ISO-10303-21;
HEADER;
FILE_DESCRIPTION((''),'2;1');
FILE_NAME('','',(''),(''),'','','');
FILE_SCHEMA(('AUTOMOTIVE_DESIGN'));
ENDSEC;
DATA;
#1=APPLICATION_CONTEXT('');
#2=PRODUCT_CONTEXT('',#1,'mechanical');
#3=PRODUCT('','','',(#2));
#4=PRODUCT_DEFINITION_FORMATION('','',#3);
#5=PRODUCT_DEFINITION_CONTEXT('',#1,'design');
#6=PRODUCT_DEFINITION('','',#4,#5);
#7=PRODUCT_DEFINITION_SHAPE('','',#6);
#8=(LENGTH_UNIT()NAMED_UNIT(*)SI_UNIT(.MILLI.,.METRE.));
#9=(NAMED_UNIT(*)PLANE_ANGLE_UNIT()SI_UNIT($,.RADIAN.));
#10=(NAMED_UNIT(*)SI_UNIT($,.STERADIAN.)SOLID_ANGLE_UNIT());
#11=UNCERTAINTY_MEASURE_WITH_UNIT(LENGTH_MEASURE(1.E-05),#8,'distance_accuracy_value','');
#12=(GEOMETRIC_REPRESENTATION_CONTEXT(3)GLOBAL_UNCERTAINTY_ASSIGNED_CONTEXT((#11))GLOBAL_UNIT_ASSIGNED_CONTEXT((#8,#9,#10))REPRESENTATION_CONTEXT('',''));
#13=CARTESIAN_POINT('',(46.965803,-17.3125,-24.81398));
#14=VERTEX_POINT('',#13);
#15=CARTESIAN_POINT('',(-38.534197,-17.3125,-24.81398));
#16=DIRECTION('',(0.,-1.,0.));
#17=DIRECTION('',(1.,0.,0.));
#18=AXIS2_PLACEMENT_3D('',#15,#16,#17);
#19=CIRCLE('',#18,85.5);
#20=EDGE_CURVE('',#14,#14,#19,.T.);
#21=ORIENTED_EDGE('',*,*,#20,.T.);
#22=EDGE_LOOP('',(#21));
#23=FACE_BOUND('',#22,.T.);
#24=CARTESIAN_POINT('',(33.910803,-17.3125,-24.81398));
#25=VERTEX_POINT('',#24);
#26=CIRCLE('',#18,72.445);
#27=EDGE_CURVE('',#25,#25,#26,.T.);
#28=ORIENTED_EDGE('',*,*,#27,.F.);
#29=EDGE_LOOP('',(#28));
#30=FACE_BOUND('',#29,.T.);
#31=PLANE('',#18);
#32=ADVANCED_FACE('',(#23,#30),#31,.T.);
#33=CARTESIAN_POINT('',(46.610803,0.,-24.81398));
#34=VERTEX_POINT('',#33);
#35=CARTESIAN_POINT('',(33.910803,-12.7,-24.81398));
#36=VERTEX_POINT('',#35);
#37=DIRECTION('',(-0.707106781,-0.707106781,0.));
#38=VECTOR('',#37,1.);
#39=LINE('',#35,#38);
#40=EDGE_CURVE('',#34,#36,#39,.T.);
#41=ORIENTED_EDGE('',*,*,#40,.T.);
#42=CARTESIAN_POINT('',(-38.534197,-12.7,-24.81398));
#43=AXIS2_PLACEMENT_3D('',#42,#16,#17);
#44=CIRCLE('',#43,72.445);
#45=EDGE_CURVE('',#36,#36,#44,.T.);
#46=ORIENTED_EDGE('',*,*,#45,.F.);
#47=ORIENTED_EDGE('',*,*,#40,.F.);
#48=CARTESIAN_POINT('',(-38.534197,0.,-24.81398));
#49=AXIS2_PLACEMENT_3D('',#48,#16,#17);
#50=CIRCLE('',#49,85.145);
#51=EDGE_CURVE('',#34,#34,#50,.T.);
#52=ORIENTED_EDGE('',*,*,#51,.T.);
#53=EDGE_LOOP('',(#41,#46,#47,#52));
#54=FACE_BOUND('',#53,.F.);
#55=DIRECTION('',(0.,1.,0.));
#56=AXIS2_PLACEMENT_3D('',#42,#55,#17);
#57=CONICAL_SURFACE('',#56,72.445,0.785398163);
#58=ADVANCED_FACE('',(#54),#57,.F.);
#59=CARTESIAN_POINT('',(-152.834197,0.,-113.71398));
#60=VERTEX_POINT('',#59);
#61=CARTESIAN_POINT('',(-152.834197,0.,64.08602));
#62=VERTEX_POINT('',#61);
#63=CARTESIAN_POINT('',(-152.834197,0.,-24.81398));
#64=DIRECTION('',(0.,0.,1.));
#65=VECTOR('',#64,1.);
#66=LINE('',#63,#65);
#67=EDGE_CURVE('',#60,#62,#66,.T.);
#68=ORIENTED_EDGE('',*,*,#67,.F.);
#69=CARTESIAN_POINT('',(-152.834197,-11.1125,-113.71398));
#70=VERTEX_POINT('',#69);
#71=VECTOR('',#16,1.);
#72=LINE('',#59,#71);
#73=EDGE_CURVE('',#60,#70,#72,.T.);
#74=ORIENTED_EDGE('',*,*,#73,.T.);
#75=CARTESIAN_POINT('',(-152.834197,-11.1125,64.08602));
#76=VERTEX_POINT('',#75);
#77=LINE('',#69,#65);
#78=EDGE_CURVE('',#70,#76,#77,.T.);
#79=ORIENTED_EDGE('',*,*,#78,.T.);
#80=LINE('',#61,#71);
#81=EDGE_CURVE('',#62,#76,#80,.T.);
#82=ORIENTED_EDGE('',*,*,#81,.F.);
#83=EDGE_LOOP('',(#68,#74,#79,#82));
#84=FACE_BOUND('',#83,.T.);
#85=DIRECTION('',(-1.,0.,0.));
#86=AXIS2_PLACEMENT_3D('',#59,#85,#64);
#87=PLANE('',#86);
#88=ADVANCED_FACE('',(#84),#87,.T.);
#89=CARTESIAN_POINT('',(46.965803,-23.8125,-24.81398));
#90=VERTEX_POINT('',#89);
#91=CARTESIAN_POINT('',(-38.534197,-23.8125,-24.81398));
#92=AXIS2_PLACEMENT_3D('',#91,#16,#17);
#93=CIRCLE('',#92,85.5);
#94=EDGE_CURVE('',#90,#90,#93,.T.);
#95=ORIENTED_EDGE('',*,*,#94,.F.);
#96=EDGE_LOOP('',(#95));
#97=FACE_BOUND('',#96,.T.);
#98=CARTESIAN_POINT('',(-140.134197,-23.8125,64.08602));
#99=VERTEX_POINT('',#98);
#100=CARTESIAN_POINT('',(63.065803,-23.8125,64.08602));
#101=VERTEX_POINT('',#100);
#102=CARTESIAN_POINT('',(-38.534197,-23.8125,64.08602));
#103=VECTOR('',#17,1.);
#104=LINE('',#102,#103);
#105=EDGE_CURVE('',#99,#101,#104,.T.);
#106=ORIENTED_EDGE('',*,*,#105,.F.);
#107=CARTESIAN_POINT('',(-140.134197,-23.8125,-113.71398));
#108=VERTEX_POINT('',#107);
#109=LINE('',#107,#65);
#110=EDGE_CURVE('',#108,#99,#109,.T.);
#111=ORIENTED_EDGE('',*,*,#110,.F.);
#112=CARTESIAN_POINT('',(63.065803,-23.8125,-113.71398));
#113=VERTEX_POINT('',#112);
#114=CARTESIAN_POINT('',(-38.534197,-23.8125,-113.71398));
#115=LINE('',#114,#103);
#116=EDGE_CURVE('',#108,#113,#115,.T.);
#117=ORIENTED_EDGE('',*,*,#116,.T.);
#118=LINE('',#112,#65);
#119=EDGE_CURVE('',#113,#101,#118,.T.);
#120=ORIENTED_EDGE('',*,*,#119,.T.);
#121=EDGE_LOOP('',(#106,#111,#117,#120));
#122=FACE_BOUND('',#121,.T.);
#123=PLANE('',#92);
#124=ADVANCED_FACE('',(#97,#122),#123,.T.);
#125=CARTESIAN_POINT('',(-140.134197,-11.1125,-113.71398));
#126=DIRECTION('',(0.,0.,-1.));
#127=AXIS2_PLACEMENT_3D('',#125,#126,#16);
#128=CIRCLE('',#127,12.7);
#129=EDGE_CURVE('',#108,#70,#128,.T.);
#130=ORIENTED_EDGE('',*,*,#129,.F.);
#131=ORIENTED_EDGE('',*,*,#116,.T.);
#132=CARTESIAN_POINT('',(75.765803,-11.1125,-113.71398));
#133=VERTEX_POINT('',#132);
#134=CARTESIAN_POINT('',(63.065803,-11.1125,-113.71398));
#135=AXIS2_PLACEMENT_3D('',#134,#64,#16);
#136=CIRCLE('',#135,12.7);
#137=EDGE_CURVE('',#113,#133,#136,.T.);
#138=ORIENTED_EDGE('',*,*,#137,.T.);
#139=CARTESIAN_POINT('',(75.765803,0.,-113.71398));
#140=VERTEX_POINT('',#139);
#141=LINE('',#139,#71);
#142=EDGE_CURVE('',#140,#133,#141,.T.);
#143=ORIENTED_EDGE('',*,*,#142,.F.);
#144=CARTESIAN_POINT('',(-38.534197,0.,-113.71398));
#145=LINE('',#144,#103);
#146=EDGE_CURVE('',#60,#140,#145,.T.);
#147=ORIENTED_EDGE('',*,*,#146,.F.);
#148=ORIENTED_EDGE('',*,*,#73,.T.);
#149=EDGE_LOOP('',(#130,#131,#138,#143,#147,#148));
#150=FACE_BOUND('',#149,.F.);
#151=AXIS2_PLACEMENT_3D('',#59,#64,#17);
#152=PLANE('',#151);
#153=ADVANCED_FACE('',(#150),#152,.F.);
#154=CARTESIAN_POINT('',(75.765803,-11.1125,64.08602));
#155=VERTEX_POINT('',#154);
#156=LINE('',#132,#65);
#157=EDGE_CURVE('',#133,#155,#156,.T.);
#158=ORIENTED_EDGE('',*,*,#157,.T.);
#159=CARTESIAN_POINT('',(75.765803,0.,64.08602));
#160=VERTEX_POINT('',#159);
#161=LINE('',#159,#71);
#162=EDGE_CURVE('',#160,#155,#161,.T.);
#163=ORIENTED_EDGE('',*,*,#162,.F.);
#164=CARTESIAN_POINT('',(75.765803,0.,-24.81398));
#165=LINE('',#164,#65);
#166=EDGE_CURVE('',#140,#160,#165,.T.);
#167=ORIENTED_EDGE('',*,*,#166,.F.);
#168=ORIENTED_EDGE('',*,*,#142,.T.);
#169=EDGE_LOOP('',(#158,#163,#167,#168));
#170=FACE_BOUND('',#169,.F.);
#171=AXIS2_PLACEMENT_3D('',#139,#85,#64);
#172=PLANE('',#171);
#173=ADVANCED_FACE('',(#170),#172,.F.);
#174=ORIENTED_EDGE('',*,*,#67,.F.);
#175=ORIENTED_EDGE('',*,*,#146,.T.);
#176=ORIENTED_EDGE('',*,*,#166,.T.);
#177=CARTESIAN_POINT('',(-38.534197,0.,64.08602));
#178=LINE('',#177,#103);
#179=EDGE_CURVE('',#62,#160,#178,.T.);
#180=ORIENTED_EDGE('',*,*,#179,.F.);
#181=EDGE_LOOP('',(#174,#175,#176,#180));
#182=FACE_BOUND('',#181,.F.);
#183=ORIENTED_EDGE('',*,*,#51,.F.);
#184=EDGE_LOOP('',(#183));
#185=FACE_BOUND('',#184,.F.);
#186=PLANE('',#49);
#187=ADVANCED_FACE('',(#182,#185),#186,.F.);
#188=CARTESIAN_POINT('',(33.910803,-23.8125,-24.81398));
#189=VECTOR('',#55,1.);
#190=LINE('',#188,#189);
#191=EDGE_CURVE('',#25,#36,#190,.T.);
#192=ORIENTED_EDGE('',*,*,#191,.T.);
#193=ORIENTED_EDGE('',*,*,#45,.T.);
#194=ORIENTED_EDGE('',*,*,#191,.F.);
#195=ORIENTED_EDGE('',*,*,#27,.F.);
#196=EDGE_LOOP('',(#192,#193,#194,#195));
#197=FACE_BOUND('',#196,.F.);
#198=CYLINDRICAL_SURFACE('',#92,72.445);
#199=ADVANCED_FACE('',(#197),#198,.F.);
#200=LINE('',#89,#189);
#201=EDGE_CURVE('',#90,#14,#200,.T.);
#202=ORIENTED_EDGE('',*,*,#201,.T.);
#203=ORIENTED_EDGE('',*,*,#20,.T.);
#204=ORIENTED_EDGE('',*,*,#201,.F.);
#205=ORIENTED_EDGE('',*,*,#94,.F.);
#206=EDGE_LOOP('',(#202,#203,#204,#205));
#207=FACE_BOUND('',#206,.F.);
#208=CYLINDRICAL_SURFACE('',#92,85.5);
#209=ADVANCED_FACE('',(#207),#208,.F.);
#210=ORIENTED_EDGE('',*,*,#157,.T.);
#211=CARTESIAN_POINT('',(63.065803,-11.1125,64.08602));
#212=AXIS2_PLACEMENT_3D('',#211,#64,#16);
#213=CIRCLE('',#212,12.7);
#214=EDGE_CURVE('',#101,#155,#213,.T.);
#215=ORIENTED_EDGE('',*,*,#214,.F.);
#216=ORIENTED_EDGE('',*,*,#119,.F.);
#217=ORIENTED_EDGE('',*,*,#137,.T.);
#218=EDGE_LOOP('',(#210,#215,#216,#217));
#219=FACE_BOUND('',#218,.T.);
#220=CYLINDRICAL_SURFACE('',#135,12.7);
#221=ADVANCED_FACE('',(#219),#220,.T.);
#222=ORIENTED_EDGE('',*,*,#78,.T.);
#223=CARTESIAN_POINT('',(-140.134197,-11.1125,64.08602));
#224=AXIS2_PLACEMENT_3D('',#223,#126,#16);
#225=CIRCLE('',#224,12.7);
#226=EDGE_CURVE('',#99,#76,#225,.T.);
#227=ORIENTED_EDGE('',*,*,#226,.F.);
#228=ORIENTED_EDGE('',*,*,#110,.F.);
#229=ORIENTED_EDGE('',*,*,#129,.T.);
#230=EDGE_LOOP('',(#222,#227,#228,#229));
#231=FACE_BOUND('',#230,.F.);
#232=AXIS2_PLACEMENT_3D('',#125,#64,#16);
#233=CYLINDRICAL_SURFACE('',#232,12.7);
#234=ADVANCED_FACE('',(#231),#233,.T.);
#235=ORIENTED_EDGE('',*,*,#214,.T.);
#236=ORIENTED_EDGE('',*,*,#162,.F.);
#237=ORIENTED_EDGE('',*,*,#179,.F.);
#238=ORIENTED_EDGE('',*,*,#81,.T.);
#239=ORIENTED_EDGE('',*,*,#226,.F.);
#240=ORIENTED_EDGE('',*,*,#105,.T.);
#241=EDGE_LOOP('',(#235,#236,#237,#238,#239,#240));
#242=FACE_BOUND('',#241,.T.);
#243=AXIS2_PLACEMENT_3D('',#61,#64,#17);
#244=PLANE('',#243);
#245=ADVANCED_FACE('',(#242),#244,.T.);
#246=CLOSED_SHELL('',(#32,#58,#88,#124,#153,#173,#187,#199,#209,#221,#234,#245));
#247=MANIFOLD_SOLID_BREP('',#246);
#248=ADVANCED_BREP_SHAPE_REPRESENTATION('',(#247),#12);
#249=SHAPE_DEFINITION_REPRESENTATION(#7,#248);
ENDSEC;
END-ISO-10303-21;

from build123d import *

# Parameters (mm, degrees)
F0_W     = 228.6
F0_H     = 177.8
F1_DEPTH = 23.8125
F2_R     = 72.445
F3_DEPTH = 25.4
F2_R_2   = 85.5
F4_DEPTH = 6.5
F5_R     = 12.7
F6_R     = 12.7
F7_SIZE  = 12.7


with BuildPart() as f1:
    # F0 (on Front) → F1 (new body)
    with BuildSketch(Plane.XZ):
        with Locations((-38.534197, -24.81398)):
            Rectangle(F0_W, F0_H)
    extrude(amount=F1_DEPTH)

    # F2 (on face) → F3 (cut)
    with BuildSketch(Plane.XZ.offset(23.8125)):
        with Locations((-38.534197, -24.81398)):
            Circle(F2_R)
    extrude(amount=-F3_DEPTH, mode=Mode.SUBTRACT)

    # F2 (on face) → F4 (cut)
    with BuildSketch(Plane.XZ.offset(23.8125)):
        with Locations((-38.534197, -24.81398)):
            Circle(F2_R_2)
        with Locations((-38.534197, -24.81398)):
            Circle(F2_R, mode=Mode.SUBTRACT)
    extrude(amount=-F4_DEPTH, mode=Mode.SUBTRACT)

    # F5
    f5_edges = [f1.edges().sort_by_distance(p)[0] for p in [
        (75.765803, -23.8125, -24.81398),
    ]]
    fillet(f5_edges, radius=F5_R)

    # F6
    f6_edges = [f1.edges().sort_by_distance(p)[0] for p in [
        (-152.834197, -23.8125, -24.81398),
    ]]
    fillet(f6_edges, radius=F6_R)

    # F7
    f7_edges = [f1.edges().sort_by_distance(p)[0] for p in [
        (-110.979197, 0, -24.81398),
    ]]
    chamfer(f7_edges, length=F7_SIZE)


solid = f1.part
